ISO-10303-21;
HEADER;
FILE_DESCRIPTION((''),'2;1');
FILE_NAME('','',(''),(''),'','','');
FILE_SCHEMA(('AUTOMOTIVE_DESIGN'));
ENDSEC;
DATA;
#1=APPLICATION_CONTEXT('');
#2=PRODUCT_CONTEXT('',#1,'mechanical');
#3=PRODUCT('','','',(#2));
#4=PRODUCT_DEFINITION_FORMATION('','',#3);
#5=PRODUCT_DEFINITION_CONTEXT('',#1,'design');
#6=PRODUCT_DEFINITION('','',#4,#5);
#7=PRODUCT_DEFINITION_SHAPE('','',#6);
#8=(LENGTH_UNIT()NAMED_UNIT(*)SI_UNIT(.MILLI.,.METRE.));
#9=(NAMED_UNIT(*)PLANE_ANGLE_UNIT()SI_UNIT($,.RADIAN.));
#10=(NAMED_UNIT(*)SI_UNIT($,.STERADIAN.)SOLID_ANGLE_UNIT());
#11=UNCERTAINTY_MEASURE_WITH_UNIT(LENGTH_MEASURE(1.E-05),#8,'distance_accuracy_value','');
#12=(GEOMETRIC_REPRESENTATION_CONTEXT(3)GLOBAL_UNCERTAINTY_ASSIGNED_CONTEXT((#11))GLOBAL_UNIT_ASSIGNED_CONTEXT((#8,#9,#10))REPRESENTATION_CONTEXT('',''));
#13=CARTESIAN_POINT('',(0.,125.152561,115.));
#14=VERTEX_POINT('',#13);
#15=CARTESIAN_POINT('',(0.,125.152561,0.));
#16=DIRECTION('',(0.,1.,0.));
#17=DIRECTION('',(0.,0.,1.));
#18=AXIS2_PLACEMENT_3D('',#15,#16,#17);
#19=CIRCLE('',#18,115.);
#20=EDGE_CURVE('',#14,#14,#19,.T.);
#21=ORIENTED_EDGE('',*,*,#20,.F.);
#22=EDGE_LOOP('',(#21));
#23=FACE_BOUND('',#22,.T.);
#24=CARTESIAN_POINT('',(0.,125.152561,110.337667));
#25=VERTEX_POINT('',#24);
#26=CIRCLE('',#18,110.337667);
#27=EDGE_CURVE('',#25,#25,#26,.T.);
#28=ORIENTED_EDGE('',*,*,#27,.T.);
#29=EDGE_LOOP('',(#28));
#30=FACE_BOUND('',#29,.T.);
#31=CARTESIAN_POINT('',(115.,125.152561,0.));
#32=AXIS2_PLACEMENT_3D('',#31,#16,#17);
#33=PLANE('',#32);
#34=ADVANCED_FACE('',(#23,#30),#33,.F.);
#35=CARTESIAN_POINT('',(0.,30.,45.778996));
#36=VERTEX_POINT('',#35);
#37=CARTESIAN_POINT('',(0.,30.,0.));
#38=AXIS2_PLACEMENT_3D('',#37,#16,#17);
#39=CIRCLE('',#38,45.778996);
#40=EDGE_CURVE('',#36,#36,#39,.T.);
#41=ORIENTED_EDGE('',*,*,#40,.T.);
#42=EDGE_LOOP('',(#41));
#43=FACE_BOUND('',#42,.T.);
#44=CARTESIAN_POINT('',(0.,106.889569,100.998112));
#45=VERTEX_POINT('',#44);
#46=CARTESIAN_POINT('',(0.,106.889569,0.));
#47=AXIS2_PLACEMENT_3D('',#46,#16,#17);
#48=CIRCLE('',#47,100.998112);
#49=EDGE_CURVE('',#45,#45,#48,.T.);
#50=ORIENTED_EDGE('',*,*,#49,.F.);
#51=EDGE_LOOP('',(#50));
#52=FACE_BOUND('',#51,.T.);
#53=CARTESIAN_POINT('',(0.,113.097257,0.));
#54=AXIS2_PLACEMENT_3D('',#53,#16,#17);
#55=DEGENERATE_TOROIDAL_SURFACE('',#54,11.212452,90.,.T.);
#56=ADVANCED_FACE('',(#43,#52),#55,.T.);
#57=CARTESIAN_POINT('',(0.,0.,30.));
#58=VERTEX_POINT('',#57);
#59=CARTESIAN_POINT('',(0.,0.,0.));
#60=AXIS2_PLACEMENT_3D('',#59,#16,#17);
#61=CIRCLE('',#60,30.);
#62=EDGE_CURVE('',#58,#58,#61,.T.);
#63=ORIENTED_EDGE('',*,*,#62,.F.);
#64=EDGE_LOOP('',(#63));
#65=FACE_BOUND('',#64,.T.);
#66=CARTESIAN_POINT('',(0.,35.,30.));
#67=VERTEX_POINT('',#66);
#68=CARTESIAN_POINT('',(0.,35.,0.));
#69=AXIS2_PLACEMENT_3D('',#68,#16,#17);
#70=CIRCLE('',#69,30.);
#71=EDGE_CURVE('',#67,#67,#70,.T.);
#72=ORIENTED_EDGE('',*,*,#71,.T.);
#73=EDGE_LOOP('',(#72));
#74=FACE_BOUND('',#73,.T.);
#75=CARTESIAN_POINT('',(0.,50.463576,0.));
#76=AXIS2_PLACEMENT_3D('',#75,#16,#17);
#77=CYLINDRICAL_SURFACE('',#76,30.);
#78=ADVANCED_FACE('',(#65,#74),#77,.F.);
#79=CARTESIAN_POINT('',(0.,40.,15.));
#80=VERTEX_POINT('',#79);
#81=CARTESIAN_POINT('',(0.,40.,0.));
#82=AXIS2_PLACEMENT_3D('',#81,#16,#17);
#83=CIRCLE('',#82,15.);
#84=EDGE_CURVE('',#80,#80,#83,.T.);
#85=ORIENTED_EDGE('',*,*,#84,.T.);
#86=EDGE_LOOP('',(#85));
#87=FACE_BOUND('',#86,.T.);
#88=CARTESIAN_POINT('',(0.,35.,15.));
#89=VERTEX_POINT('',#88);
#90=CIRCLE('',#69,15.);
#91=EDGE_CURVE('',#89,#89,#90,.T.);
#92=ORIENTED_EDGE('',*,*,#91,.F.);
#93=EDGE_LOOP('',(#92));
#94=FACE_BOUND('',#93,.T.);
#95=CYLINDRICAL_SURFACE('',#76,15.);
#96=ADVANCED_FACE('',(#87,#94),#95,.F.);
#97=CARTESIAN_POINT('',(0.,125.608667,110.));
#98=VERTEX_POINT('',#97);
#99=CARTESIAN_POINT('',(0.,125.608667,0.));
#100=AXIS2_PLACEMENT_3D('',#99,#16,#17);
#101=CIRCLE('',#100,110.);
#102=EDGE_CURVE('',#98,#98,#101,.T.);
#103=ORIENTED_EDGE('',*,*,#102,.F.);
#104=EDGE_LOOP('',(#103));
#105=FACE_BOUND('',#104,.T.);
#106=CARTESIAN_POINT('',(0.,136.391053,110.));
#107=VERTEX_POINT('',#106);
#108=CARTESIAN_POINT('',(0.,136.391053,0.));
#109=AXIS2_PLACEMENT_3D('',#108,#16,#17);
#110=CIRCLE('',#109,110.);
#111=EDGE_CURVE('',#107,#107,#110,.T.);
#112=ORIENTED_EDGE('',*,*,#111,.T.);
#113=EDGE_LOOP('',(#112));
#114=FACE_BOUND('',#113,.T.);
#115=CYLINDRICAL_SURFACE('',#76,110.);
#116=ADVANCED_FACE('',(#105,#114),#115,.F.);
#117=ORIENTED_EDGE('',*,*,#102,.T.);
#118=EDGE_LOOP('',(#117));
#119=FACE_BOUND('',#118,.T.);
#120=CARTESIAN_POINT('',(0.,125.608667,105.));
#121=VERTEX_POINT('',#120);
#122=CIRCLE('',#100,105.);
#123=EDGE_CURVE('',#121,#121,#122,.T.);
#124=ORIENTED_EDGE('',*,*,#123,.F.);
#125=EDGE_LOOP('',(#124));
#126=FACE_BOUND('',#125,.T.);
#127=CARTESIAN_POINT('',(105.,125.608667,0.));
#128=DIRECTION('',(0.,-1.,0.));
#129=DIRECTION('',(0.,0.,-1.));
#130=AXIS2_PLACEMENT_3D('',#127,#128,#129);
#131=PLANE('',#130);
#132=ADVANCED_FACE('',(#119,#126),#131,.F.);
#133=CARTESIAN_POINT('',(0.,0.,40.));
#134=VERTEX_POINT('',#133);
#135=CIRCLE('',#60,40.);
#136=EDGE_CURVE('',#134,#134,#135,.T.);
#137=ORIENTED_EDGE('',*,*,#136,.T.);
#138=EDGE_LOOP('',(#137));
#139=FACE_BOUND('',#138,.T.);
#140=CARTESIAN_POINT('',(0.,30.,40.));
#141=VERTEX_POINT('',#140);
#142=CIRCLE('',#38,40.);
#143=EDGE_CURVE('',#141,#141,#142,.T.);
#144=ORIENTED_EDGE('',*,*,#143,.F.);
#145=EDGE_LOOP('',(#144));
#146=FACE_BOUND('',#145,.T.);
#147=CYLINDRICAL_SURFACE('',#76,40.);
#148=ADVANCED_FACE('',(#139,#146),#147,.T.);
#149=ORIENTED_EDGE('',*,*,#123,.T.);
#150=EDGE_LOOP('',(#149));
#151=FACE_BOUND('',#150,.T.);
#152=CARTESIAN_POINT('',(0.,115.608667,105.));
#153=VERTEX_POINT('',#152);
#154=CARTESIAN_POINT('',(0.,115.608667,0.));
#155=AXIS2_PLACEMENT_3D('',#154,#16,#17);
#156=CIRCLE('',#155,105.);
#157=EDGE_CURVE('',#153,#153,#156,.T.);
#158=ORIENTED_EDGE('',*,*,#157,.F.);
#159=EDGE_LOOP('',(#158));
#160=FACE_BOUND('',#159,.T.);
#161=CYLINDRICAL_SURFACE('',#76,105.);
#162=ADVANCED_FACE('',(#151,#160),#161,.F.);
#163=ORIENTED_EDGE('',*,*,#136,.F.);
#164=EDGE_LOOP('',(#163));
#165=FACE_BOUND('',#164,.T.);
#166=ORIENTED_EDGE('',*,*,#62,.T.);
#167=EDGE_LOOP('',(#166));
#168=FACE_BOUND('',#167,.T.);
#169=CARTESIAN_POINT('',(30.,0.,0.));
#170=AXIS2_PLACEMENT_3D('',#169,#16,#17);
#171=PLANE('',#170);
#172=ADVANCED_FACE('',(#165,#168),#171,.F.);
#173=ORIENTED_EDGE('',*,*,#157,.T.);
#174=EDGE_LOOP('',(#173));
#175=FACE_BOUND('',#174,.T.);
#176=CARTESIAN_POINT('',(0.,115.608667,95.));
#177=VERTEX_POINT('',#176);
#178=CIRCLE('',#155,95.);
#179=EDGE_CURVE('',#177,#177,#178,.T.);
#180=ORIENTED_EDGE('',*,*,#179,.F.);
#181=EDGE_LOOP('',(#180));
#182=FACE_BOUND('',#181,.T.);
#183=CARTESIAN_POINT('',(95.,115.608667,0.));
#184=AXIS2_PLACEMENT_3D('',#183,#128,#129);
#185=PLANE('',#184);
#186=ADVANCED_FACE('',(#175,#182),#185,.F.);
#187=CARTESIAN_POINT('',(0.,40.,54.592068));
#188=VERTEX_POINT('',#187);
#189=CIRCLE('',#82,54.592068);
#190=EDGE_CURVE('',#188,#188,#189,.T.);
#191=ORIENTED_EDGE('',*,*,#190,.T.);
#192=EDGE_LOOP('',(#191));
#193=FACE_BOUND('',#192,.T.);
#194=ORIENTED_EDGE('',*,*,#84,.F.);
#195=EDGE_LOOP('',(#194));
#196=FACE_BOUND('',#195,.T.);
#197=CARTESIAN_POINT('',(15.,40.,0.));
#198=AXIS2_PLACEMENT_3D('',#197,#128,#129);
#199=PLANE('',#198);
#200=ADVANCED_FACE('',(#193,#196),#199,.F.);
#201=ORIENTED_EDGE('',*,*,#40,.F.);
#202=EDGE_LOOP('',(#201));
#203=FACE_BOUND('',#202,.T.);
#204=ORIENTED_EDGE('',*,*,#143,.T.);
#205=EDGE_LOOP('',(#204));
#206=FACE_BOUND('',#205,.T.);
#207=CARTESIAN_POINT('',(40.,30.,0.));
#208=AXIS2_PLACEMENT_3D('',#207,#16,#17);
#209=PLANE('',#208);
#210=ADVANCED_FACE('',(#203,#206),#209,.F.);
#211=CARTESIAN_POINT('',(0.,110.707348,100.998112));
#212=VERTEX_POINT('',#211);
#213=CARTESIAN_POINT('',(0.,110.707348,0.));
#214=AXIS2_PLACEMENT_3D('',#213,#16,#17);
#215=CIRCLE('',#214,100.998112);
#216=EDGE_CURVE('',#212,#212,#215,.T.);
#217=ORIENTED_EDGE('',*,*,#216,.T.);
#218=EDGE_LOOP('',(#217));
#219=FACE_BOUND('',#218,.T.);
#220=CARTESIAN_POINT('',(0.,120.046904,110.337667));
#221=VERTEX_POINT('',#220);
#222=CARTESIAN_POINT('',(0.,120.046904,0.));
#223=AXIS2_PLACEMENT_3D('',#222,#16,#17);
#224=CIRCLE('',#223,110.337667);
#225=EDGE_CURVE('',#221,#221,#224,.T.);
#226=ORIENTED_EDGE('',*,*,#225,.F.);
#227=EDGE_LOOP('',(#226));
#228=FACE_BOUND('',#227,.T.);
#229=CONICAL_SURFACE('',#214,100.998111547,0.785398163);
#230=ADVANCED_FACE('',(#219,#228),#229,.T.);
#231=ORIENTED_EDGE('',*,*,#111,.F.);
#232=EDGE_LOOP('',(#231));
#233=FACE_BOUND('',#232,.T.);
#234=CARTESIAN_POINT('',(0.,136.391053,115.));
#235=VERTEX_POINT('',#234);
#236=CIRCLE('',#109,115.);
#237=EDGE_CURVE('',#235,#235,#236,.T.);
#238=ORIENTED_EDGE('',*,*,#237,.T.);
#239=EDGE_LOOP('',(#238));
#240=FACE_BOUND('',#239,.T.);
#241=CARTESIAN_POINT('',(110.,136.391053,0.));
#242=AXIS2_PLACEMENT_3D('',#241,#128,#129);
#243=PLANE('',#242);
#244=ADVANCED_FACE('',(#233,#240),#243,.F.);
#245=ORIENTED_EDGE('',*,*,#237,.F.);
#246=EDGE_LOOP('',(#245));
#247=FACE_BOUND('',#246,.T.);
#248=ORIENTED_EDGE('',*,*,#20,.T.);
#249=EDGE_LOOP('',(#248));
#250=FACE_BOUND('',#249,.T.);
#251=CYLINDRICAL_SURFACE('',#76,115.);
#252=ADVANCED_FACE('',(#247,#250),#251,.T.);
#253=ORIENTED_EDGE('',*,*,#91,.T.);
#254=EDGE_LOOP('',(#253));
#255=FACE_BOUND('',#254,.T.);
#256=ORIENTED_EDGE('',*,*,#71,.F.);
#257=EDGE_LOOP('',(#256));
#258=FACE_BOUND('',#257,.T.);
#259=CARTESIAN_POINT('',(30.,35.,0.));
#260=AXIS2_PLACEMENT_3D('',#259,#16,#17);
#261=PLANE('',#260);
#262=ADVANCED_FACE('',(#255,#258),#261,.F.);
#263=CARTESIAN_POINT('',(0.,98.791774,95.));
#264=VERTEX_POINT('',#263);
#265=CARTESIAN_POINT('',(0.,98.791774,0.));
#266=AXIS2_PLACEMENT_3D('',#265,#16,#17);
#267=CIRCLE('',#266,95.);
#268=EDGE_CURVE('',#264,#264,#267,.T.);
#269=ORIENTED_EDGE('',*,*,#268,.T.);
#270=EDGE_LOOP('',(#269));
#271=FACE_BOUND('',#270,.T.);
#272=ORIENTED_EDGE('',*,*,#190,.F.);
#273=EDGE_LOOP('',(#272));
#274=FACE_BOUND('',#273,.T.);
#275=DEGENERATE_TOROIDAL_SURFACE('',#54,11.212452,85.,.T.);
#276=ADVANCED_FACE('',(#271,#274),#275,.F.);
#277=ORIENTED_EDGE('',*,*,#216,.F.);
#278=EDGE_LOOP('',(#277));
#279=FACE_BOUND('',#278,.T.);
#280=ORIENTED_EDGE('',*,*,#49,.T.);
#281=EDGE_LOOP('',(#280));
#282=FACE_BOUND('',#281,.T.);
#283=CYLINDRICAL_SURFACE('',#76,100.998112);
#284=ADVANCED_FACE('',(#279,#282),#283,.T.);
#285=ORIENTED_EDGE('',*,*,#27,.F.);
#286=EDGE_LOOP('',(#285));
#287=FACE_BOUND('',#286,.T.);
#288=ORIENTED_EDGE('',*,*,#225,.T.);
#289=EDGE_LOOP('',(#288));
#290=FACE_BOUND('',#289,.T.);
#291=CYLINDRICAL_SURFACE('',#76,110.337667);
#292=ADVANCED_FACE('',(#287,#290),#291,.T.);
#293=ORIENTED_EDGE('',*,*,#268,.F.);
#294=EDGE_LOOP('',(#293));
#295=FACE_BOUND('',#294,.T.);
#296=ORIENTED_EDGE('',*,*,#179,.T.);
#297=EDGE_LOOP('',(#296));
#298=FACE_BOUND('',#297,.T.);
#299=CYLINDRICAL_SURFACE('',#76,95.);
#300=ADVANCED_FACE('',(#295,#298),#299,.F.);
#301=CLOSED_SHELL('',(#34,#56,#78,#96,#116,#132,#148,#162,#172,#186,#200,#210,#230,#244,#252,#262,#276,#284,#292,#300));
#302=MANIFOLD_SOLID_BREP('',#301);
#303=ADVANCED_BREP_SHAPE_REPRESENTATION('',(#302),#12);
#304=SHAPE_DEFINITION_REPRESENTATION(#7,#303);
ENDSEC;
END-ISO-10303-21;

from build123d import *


with BuildPart() as part:
    # Esquisse1 → Révolution1 (revolve)
    with BuildSketch(Plane.XY, mode=Mode.PRIVATE) as r_volution1_sk:
        with BuildLine():
            Line((30, 35), (30, 0))
            Line((30, 0), (40, 0))
            Line((40, 0), (40, 30))
            Line((40, 30), (45.778995681, 30))
            ThreePointArc((45.778995681, 30), (84.314223985, 60.59839034), (100.998111547, 106.889568849))
            Line((100.998111547, 106.889568849), (100.998111547, 110.707348445))
            Line((100.998111547, 110.707348445), (110.337667118, 120.046904015))
            Line((110.337667118, 120.046904015), (110.337667118, 125.152560563))
            Line((110.337667118, 125.152560563), (115, 125.152560563))
            Line((115, 125.152560563), (115, 136.391053218))
            Line((115, 136.391053218), (110, 136.391053218))
            Line((110, 136.391053218), (110, 125.608667149))
            Line((110, 125.608667149), (105, 125.608667149))
            Line((105, 125.608667149), (105, 115.608667149))
            Line((105, 115.608667149), (95, 115.608667149))
            Line((95, 115.608667149), (95, 98.791773656))
            ThreePointArc((95, 98.791773656), (81.262363234, 64.951540679), (54.592067969, 40))
            Line((54.592067969, 40), (15, 40))
            Line((15, 40), (15, 35))
            Line((15, 35), (30, 35))
        make_face()
    revolve(r_volution1_sk.sketch.rotate(Axis((0, 50.463576159, 0), (0, -1, 0)), 90), axis=Axis((0, 50.463576159, 0), (0, -1, 0)))


solid = part.part
